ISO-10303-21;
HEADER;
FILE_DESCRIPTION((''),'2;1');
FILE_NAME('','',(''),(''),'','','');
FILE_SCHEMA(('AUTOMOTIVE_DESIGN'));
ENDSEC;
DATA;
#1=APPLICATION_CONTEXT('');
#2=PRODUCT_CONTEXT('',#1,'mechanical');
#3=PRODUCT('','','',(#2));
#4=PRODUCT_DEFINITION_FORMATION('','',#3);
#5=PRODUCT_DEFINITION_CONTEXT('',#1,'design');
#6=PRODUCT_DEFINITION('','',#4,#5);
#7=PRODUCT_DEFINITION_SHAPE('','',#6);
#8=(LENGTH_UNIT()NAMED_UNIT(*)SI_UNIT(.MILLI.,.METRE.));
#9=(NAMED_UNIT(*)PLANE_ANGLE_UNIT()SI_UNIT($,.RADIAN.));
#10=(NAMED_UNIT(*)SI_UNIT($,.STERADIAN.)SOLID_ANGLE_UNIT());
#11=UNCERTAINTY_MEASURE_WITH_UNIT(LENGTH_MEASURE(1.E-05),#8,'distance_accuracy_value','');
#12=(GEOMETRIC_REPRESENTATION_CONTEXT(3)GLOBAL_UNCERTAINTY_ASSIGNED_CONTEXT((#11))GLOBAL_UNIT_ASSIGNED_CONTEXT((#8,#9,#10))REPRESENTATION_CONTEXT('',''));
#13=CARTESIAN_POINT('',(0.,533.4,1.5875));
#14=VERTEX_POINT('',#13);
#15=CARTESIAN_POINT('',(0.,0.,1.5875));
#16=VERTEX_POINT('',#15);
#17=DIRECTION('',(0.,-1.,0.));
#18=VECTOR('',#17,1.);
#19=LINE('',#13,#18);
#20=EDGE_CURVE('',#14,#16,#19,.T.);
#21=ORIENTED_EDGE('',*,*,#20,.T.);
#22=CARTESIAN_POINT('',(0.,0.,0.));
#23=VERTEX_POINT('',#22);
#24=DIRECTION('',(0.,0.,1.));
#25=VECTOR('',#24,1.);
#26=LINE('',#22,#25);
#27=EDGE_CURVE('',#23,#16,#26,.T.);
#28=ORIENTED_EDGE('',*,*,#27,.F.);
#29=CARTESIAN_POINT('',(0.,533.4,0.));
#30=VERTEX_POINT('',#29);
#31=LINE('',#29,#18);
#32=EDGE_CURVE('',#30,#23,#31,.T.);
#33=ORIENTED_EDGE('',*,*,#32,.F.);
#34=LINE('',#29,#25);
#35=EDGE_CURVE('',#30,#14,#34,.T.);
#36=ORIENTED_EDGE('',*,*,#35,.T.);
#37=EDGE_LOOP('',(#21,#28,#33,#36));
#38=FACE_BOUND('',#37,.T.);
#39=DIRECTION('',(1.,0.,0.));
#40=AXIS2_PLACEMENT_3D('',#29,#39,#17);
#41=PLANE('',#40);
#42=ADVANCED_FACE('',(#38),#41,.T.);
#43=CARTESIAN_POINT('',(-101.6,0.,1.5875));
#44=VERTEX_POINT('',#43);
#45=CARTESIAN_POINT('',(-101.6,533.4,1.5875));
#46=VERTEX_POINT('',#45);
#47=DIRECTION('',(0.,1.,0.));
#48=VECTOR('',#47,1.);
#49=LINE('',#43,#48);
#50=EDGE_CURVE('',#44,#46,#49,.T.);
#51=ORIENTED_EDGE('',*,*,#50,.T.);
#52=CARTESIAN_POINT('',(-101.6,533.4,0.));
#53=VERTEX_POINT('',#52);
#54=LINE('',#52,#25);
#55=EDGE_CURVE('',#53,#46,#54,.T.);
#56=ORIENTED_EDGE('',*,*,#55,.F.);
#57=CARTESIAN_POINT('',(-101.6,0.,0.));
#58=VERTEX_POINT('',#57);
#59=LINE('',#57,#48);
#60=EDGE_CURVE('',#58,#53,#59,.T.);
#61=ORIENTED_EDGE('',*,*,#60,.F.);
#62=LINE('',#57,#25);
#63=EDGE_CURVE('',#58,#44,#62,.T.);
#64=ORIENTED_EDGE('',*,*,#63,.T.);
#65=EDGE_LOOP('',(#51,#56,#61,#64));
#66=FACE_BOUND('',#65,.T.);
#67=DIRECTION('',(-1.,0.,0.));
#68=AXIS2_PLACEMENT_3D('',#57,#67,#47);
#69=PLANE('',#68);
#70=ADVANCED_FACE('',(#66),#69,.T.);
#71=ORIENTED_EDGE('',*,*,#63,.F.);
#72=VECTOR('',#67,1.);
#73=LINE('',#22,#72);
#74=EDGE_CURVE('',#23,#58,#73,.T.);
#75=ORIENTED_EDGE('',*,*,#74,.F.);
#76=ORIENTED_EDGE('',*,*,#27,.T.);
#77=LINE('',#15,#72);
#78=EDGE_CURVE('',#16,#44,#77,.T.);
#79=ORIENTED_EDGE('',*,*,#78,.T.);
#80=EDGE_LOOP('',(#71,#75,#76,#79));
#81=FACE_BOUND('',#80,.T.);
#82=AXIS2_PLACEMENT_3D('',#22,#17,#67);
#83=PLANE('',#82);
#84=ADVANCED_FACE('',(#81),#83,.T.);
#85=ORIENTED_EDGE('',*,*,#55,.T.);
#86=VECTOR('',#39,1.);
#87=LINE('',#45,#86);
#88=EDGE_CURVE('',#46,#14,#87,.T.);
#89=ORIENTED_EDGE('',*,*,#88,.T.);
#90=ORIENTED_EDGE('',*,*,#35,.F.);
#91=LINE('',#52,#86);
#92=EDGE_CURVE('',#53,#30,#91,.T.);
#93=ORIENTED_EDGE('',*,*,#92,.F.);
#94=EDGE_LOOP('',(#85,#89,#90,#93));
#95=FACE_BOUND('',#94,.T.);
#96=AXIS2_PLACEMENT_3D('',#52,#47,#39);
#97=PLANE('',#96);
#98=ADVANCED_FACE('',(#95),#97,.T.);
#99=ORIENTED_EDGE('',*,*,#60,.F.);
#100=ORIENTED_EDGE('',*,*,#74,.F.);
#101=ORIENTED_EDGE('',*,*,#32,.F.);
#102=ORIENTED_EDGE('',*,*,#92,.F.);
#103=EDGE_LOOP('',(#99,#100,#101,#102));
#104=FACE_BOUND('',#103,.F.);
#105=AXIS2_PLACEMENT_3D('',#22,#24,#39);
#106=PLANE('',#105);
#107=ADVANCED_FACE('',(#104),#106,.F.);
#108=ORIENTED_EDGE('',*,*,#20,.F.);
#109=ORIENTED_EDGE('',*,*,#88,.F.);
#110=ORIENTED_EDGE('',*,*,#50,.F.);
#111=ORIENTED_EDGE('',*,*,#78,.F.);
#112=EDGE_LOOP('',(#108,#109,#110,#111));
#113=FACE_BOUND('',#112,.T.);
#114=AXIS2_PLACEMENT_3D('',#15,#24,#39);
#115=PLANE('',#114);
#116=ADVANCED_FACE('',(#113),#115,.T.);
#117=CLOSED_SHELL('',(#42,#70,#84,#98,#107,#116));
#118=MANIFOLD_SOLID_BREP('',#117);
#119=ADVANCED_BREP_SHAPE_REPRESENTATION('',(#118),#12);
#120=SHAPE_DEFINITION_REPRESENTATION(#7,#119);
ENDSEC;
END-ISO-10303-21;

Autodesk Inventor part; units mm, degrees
ref_plane "YZ Plane" through (0, 0, 0) normal (1, 0, 0) x (0, 1, 0)
ref_plane "XZ Plane" through (0, 0, 0) normal (0, 1, 0) x (-1, 0, 0)
ref_plane "XY Plane" through (0, 0, 0) normal (0, 0, 1) x (1, 0, 0)
sketch "Sketch1" plane through (0, 0, 0) normal (0, 0, 1) x (1, 0, 0)
  line L0 (0, 0) -> (-101.6, 0)
  line L1 (-101.6, 0) -> (-101.6, 533.4)
  line L2 (-101.6, 533.4) -> (0, 533.4)
  line L3 (0, 533.4) -> (0, 0)
  dimension "d0" = 101.6
  dimension "d1" = 533.4
extrude "Extrusion1" add sketch "Sketch1" along normal blind 1.5875
properties part number "skid strip" material "Aluminum 6061"
